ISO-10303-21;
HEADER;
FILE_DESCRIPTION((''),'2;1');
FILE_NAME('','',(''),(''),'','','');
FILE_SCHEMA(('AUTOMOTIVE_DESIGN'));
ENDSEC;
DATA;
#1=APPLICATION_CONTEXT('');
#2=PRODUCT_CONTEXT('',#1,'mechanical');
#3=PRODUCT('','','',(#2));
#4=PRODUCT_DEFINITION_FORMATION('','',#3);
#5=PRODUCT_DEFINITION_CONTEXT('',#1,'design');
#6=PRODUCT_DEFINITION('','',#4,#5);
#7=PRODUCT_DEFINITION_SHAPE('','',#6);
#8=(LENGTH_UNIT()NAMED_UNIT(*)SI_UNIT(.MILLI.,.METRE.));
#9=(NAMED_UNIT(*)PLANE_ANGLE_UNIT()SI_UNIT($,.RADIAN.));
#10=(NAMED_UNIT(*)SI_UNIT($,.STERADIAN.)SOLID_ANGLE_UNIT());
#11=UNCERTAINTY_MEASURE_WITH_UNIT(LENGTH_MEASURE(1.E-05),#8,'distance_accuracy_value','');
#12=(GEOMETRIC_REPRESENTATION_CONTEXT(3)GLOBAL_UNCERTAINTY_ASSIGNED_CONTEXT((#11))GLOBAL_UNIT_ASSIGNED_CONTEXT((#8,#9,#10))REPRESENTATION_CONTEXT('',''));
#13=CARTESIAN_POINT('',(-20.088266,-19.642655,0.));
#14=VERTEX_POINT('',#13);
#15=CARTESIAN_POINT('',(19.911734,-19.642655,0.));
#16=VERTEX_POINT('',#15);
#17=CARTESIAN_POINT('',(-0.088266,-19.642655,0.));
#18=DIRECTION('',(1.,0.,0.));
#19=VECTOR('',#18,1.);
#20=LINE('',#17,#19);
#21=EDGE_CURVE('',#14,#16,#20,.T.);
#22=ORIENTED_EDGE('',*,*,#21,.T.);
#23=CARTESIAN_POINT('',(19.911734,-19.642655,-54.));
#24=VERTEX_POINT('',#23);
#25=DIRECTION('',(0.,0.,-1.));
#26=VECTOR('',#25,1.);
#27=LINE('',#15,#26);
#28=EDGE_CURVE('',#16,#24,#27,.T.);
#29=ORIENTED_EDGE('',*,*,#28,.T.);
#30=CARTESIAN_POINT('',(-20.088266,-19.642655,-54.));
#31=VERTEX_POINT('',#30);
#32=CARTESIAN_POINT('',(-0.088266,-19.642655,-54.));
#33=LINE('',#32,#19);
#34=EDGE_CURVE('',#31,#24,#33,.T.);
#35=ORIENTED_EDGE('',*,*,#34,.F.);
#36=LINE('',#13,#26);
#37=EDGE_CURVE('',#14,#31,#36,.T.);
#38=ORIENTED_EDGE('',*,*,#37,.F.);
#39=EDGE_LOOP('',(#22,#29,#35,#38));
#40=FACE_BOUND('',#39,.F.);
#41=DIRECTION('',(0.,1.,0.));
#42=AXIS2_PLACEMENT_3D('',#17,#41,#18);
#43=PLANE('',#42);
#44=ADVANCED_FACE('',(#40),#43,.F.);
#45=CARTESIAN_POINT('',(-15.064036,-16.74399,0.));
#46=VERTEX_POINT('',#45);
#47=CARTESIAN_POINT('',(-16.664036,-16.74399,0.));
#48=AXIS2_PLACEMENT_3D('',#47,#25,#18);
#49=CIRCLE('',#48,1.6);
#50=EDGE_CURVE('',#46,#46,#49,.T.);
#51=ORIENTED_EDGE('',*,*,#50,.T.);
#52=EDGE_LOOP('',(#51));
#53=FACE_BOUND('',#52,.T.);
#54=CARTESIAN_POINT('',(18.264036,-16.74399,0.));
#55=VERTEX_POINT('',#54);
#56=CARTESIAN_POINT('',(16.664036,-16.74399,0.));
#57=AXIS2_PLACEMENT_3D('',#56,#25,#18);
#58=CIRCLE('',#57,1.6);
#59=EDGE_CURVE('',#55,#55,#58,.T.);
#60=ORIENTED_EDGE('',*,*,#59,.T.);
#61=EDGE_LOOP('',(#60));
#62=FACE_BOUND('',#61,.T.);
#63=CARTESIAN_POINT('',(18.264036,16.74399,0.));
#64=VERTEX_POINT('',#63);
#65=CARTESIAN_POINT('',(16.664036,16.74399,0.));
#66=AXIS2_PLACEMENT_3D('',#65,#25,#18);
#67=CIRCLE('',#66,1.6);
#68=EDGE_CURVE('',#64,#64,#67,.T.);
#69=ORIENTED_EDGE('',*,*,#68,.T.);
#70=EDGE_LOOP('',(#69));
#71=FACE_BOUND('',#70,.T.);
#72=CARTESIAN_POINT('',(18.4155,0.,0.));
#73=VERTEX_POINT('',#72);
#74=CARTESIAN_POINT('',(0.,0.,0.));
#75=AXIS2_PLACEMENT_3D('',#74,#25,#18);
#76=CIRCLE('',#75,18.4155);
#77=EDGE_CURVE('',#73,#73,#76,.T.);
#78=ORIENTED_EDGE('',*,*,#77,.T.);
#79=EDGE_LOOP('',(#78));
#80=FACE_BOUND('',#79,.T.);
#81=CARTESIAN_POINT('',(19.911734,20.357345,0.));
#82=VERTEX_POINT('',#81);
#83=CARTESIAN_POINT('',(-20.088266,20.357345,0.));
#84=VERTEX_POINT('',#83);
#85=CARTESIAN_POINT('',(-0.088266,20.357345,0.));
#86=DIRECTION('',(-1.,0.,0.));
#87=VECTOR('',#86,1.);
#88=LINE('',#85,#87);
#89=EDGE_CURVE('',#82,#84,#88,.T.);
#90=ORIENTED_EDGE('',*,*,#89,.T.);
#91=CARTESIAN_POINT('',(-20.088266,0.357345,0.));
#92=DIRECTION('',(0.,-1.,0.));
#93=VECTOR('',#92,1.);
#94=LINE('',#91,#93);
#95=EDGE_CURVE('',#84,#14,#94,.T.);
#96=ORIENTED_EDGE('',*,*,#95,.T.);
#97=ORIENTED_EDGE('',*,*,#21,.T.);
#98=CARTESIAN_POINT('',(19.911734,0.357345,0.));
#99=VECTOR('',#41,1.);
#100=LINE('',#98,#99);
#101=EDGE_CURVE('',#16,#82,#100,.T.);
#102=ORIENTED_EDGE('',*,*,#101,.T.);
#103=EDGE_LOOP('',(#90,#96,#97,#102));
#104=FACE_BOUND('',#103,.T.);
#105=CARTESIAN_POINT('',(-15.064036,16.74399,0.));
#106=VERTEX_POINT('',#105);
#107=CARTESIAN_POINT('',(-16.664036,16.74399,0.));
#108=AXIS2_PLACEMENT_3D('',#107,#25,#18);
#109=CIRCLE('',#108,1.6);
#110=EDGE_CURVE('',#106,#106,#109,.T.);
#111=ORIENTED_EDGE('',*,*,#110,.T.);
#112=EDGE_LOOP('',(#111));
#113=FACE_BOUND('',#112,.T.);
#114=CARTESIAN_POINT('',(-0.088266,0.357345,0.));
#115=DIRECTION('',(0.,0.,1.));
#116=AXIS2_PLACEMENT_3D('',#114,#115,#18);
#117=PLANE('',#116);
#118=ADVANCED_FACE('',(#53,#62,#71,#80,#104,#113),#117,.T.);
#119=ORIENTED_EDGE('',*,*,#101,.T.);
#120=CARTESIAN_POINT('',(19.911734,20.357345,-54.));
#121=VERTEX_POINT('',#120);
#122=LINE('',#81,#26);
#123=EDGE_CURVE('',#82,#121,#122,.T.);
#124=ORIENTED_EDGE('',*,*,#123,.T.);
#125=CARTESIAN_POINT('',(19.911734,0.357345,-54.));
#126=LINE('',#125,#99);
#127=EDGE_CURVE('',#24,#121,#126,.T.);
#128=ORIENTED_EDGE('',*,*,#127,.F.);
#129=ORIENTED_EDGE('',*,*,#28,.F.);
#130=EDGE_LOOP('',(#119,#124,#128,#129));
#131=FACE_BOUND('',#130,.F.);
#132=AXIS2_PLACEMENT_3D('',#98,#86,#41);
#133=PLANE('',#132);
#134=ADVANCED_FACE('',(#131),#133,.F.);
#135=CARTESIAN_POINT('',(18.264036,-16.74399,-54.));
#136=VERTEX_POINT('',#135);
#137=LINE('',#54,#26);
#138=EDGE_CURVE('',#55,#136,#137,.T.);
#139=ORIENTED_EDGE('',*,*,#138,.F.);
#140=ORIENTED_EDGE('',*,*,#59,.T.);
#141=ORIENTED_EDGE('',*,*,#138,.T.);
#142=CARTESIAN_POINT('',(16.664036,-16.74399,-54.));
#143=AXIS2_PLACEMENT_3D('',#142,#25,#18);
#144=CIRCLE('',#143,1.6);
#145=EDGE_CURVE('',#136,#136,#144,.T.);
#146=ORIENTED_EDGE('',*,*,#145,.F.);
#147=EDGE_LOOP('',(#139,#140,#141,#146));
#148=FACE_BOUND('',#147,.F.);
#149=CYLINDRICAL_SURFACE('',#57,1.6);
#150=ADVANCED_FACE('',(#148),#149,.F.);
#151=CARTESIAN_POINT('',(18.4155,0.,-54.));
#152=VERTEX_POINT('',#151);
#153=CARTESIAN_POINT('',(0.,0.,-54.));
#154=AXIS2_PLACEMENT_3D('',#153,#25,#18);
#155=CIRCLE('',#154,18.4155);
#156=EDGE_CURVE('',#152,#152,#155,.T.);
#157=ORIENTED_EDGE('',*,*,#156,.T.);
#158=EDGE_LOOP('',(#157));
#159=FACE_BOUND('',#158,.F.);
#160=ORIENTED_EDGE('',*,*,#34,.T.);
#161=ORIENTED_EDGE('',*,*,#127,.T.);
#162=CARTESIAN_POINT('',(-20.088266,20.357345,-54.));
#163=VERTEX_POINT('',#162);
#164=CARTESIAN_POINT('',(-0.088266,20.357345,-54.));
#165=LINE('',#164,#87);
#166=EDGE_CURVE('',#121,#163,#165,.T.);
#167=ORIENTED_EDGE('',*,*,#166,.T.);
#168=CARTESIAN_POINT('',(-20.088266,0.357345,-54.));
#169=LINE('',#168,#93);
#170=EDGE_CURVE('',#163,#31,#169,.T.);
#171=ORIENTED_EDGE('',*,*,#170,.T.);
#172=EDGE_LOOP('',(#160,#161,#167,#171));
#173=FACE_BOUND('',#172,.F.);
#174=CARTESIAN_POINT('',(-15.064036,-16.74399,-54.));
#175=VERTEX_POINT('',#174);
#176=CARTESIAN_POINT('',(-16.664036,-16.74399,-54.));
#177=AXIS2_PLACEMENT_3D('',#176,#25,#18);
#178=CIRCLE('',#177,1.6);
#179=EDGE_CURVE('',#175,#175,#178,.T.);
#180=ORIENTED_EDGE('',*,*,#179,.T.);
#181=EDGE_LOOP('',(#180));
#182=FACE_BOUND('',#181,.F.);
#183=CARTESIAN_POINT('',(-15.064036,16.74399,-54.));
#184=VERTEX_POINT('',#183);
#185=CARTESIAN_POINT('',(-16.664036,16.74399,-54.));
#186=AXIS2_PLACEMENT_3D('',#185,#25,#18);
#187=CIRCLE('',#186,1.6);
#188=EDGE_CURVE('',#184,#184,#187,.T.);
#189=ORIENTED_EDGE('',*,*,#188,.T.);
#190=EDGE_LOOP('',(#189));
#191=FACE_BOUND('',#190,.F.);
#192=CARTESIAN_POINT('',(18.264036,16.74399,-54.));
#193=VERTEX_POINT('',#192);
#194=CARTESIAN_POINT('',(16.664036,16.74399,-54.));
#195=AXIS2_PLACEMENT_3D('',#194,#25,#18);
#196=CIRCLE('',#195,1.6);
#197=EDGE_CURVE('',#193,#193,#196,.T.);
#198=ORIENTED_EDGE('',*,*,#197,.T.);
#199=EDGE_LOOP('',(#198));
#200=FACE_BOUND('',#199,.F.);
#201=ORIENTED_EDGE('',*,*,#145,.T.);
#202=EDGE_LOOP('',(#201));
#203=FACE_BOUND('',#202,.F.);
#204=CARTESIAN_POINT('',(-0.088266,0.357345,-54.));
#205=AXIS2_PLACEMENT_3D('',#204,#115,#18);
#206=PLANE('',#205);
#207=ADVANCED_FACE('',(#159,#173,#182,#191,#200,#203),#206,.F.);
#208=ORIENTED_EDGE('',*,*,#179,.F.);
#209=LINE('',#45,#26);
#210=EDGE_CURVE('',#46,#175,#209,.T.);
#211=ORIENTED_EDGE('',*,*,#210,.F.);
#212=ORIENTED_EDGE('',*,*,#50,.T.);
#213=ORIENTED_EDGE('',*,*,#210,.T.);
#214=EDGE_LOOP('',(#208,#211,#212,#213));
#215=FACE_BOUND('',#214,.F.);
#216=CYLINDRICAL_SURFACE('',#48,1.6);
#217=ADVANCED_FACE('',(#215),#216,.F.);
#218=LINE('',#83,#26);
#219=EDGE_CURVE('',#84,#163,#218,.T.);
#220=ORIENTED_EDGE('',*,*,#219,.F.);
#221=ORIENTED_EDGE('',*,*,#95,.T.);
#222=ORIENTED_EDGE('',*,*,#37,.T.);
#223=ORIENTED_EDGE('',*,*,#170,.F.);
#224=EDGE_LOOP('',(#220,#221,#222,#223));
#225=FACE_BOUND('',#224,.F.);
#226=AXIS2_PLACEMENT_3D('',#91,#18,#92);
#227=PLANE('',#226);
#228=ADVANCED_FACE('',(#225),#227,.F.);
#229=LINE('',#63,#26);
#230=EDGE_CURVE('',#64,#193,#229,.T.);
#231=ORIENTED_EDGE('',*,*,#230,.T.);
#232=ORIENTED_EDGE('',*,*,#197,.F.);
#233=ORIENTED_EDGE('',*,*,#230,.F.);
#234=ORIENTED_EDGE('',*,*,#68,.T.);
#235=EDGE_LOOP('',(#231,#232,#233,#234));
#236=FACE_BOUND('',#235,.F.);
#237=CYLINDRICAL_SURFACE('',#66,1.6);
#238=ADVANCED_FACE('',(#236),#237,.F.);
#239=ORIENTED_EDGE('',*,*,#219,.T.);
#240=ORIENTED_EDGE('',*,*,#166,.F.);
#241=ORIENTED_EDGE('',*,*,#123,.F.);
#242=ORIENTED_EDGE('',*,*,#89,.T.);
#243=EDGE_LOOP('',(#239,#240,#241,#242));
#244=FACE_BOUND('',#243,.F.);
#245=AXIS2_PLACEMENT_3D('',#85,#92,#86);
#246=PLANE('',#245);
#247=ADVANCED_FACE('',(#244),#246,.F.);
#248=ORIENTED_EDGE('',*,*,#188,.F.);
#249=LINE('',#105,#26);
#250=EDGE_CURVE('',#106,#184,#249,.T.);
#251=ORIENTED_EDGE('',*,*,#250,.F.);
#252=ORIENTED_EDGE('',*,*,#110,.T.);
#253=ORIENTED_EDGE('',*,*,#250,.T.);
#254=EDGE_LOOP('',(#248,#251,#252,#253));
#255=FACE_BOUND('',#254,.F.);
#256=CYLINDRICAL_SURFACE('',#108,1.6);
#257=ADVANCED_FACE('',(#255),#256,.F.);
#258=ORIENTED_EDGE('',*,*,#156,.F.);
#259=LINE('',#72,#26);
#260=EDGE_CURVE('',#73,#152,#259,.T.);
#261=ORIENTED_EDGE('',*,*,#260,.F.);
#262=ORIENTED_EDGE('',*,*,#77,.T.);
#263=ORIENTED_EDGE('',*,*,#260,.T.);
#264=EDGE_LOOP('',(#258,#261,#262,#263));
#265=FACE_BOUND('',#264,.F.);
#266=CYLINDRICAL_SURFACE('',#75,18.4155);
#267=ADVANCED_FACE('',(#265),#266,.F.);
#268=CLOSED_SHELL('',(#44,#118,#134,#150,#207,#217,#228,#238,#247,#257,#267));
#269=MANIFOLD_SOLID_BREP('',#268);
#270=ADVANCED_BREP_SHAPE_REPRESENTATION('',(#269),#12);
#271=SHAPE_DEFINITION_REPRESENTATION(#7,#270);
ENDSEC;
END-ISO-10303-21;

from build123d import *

# Parameters (mm, degrees)
F0_W   = 40
F0_H   = 40
F0_R   = 1.6
F0_R_2 = 18.4155


with BuildPart() as f2:
    # F2: sweep along a path in F1
    with BuildLine(Plane.YZ) as f2_path:
        Line((0, 0), (0, -54))
    # F0 (on Top) → F2 (sweep)
    with BuildSketch(Plane.XY):
        with Locations((-0.088266, 0.357345)):
            Rectangle(F0_W, F0_H)
        with Locations((-16.664036, -16.74399)):
            Circle(F0_R, mode=Mode.SUBTRACT)
        with Locations((16.664036, -16.74399)):
            Circle(F0_R, mode=Mode.SUBTRACT)
        Circle(F0_R_2, mode=Mode.SUBTRACT)
        with Locations((-16.664036, 16.74399)):
            Circle(F0_R, mode=Mode.SUBTRACT)
        with Locations((16.664036, 16.74399)):
            Circle(F0_R, mode=Mode.SUBTRACT)
    sweep(path=f2_path.line)


solid = f2.part
